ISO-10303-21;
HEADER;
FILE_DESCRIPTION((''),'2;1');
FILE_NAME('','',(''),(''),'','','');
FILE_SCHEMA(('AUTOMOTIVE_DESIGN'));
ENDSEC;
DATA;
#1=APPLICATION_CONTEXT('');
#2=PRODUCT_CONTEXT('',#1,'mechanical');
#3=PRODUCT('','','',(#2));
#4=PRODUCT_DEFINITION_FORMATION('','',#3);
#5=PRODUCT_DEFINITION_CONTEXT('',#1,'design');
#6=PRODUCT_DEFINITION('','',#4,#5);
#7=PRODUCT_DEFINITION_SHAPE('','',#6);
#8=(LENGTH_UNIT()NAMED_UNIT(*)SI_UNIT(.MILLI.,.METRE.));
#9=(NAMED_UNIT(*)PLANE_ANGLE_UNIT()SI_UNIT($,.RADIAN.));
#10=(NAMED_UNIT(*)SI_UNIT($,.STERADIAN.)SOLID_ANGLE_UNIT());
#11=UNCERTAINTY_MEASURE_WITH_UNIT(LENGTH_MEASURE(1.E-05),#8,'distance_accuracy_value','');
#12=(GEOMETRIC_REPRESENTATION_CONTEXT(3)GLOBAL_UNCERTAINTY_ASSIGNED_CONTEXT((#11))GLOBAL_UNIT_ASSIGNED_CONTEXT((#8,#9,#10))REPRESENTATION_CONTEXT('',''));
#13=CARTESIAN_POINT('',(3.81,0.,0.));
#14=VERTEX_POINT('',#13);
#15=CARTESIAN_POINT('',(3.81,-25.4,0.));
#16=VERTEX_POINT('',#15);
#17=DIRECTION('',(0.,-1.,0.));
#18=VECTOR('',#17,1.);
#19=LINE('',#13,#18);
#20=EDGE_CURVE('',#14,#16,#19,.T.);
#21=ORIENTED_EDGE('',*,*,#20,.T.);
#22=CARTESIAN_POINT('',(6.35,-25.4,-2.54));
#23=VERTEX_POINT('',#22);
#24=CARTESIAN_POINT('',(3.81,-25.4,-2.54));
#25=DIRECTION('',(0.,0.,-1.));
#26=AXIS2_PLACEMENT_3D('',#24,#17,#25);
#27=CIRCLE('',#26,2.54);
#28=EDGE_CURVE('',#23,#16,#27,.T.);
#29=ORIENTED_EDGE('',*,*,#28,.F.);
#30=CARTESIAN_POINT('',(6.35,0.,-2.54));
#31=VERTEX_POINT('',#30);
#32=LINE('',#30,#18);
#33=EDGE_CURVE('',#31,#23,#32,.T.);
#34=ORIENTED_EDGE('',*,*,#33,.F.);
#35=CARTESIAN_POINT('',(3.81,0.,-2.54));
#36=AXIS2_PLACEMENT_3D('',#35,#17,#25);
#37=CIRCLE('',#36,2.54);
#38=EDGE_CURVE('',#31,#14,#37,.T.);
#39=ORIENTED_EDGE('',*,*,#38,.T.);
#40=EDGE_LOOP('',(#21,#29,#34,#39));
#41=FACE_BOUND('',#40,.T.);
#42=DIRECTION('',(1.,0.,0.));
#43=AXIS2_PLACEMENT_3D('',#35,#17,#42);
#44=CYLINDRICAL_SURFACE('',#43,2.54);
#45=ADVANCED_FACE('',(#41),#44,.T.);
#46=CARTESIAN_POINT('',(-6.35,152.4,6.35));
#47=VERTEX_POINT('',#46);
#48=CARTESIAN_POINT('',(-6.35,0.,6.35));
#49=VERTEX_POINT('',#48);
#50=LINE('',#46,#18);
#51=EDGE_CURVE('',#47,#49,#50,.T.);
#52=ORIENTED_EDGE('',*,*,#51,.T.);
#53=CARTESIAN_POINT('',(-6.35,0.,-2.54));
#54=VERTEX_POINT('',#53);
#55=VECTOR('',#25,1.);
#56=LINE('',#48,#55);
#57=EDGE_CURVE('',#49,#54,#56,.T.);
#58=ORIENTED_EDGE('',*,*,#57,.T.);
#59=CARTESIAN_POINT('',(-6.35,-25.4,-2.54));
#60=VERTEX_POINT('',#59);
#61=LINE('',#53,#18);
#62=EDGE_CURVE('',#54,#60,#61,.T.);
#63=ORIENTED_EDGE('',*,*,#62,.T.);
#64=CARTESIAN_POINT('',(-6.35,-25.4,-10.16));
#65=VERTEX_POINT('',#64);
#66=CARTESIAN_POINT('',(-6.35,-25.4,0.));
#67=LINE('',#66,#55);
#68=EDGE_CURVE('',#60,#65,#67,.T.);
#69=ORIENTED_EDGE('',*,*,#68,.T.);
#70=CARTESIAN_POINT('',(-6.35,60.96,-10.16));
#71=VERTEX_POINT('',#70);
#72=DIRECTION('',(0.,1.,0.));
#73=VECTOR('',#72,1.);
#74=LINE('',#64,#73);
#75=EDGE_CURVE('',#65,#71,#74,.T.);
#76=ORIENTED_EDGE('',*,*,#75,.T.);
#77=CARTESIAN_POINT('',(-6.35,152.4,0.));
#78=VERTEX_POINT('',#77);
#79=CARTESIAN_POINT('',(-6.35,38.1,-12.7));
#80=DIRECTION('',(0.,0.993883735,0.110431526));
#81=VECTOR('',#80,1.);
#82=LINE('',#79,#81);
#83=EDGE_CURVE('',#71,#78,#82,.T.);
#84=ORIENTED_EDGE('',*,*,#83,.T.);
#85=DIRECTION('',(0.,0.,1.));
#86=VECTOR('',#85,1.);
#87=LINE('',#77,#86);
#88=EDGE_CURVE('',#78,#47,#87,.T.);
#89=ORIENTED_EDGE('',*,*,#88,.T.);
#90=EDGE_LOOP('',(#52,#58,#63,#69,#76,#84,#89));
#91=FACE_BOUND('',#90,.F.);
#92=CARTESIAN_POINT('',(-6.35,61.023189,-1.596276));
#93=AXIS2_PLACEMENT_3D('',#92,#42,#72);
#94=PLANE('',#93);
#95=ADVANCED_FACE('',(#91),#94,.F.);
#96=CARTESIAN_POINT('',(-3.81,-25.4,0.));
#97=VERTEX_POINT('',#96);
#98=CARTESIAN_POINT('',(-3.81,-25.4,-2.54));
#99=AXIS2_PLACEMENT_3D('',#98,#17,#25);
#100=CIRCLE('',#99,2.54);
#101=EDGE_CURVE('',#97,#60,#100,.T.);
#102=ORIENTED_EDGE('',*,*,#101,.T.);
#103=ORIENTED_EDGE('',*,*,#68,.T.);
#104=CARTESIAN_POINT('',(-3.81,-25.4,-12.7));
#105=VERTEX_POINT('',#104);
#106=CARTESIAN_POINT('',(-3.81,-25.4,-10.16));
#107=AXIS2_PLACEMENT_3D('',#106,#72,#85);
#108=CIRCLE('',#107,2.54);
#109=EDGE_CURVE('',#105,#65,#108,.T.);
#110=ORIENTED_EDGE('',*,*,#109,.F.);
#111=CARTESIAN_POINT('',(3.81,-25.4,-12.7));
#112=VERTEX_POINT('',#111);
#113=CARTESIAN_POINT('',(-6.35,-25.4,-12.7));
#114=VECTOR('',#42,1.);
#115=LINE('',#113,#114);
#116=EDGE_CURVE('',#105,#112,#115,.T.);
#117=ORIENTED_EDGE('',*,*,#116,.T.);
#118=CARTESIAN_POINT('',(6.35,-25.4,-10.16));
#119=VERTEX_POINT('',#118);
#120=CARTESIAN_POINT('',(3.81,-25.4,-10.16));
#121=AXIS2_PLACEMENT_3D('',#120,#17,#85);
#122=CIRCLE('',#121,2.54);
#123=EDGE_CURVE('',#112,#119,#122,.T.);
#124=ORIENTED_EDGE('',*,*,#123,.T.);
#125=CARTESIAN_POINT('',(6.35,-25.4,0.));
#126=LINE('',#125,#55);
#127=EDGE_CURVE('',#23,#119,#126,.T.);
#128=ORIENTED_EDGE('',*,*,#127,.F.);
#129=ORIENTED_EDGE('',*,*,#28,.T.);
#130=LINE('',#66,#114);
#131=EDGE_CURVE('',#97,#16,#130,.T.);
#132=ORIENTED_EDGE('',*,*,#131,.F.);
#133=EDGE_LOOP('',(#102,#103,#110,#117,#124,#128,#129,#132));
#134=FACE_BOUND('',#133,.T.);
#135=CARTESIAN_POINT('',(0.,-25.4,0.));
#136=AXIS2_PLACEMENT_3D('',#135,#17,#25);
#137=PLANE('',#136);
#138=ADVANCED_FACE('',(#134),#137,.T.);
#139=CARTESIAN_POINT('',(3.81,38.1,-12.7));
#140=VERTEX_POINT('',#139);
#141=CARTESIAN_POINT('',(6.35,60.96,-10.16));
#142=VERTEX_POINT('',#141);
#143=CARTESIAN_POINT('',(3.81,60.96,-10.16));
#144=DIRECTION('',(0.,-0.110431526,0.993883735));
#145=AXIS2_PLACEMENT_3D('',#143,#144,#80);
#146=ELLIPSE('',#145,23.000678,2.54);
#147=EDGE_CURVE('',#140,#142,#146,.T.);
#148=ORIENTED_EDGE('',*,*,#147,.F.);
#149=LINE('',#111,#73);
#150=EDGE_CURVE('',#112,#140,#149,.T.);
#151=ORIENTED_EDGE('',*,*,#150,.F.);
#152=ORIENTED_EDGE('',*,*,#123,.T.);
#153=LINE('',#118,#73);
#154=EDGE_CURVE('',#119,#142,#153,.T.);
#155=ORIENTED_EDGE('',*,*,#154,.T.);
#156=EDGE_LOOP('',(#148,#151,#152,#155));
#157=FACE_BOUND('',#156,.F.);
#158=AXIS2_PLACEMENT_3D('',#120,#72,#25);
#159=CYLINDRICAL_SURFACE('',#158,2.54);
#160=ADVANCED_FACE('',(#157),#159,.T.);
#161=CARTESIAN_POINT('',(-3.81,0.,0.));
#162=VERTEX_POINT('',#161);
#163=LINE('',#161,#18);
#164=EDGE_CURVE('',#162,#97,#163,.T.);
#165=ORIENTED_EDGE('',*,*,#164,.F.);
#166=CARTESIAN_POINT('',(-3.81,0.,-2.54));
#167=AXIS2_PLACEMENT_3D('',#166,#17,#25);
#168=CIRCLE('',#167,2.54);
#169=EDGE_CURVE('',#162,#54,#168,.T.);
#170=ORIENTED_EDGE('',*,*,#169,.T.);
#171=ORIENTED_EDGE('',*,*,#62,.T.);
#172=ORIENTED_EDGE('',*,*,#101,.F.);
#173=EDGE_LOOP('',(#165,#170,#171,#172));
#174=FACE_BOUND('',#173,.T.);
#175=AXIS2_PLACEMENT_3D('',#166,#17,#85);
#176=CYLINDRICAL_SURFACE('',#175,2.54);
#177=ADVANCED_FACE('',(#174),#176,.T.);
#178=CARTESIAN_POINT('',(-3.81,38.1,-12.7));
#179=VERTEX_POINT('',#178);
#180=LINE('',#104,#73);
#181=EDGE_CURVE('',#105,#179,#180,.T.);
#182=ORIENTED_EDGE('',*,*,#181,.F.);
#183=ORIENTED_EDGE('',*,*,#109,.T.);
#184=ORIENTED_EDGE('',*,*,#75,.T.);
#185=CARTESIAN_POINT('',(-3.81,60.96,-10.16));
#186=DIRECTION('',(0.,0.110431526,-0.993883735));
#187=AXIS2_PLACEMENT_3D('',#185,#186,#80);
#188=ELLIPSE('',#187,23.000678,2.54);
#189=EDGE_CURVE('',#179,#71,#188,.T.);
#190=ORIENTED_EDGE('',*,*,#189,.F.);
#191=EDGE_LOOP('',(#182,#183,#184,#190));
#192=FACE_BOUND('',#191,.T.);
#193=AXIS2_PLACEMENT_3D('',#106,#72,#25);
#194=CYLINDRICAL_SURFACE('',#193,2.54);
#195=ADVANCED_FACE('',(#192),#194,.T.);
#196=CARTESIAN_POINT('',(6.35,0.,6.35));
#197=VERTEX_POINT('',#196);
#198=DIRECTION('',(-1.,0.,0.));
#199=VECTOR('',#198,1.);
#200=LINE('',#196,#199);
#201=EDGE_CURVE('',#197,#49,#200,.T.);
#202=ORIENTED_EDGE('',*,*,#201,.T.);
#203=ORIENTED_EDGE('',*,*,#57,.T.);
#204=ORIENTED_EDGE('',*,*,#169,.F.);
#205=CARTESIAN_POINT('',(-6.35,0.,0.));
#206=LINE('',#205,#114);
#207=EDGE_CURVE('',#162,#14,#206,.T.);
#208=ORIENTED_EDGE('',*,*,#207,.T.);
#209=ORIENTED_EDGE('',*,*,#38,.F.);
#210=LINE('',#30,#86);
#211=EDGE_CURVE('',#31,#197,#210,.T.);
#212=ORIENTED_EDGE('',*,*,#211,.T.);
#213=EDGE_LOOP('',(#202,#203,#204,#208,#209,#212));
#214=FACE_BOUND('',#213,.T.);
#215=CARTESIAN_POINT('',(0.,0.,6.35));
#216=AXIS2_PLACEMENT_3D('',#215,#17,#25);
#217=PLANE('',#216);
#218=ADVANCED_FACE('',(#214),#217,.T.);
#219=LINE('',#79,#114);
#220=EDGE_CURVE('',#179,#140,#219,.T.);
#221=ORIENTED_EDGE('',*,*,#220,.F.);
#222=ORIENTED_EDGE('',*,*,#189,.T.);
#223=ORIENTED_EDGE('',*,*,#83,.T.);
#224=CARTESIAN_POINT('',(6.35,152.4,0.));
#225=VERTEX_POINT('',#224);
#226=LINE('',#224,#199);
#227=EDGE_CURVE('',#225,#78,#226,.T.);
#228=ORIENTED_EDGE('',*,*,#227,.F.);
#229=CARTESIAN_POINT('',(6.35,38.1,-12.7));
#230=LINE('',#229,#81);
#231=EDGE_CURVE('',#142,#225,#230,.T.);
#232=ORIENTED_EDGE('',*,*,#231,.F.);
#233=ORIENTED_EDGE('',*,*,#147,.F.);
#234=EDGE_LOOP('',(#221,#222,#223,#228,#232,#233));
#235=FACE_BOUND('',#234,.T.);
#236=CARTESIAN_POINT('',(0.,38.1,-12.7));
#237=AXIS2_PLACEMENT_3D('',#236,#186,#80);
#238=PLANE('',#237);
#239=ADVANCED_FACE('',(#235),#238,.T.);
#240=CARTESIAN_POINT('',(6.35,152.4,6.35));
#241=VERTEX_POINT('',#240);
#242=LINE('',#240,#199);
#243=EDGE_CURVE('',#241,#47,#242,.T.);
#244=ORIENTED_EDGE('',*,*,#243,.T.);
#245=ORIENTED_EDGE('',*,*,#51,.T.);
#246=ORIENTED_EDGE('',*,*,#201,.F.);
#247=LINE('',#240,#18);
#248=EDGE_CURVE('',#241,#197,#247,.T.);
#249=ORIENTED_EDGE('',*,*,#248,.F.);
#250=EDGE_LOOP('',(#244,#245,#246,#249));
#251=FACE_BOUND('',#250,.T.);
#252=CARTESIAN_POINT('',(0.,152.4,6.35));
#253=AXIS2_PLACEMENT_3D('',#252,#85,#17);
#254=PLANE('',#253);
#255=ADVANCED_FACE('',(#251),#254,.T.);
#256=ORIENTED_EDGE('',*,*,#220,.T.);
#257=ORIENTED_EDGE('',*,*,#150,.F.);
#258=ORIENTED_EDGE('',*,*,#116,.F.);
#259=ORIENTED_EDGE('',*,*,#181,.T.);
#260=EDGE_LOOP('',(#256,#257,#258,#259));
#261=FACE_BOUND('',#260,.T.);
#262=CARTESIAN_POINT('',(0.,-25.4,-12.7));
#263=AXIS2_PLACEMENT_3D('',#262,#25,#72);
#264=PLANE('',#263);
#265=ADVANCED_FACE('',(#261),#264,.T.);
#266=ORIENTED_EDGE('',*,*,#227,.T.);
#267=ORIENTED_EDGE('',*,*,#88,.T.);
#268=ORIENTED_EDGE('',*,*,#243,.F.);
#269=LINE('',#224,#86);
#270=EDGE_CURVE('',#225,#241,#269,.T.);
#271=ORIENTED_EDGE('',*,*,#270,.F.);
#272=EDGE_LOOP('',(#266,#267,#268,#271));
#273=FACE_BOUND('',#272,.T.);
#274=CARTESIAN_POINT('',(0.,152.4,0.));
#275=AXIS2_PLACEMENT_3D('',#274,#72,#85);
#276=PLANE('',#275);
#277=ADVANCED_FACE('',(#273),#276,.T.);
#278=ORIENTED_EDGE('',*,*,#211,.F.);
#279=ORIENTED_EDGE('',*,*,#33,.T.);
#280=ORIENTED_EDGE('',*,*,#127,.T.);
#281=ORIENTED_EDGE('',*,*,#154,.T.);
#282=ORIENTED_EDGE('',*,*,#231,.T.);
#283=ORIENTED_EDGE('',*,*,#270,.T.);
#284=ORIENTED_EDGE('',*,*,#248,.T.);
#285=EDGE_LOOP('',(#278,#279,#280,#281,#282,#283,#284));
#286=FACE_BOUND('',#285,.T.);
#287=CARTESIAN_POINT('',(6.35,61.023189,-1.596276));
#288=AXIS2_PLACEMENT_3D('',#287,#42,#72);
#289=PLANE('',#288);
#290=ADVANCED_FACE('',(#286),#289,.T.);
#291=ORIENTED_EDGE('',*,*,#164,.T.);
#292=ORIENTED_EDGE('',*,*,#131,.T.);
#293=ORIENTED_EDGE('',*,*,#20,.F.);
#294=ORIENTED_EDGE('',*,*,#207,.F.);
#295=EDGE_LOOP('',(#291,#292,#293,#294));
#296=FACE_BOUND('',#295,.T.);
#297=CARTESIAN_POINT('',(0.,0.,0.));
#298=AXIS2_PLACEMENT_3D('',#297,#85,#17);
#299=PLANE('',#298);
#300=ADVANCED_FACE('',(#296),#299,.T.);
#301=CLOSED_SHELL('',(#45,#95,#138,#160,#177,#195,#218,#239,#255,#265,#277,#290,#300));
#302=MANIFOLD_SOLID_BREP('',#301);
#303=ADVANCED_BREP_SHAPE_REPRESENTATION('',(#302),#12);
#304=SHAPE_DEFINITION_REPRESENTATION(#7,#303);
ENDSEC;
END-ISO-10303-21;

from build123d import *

# Parameters (mm, degrees)
F1_DEPTH = 6.35
F2_R     = 2.54


with BuildPart() as f1:
    # F0 (on Right) → F1 (new body, symmetric)
    with BuildSketch(Plane.YZ):
        Polygon((0, 6.35), (0, 0), (-25.4, 0), (-25.4, -12.7), (38.1, -12.7), (152.4, 0), (152.4, 6.35), align=None)
    extrude(amount=F1_DEPTH, both=True)

    # F2
    f2_edges = [f1.edges().sort_by_distance(p)[0] for p in [
        (6.35, -12.7, 0),
        (-6.35, -12.7, 0),
        (6.35, 6.35, -12.7),
        (-6.35, 6.35, -12.7),
    ]]
    fillet(f2_edges, radius=F2_R)


solid = f1.part
